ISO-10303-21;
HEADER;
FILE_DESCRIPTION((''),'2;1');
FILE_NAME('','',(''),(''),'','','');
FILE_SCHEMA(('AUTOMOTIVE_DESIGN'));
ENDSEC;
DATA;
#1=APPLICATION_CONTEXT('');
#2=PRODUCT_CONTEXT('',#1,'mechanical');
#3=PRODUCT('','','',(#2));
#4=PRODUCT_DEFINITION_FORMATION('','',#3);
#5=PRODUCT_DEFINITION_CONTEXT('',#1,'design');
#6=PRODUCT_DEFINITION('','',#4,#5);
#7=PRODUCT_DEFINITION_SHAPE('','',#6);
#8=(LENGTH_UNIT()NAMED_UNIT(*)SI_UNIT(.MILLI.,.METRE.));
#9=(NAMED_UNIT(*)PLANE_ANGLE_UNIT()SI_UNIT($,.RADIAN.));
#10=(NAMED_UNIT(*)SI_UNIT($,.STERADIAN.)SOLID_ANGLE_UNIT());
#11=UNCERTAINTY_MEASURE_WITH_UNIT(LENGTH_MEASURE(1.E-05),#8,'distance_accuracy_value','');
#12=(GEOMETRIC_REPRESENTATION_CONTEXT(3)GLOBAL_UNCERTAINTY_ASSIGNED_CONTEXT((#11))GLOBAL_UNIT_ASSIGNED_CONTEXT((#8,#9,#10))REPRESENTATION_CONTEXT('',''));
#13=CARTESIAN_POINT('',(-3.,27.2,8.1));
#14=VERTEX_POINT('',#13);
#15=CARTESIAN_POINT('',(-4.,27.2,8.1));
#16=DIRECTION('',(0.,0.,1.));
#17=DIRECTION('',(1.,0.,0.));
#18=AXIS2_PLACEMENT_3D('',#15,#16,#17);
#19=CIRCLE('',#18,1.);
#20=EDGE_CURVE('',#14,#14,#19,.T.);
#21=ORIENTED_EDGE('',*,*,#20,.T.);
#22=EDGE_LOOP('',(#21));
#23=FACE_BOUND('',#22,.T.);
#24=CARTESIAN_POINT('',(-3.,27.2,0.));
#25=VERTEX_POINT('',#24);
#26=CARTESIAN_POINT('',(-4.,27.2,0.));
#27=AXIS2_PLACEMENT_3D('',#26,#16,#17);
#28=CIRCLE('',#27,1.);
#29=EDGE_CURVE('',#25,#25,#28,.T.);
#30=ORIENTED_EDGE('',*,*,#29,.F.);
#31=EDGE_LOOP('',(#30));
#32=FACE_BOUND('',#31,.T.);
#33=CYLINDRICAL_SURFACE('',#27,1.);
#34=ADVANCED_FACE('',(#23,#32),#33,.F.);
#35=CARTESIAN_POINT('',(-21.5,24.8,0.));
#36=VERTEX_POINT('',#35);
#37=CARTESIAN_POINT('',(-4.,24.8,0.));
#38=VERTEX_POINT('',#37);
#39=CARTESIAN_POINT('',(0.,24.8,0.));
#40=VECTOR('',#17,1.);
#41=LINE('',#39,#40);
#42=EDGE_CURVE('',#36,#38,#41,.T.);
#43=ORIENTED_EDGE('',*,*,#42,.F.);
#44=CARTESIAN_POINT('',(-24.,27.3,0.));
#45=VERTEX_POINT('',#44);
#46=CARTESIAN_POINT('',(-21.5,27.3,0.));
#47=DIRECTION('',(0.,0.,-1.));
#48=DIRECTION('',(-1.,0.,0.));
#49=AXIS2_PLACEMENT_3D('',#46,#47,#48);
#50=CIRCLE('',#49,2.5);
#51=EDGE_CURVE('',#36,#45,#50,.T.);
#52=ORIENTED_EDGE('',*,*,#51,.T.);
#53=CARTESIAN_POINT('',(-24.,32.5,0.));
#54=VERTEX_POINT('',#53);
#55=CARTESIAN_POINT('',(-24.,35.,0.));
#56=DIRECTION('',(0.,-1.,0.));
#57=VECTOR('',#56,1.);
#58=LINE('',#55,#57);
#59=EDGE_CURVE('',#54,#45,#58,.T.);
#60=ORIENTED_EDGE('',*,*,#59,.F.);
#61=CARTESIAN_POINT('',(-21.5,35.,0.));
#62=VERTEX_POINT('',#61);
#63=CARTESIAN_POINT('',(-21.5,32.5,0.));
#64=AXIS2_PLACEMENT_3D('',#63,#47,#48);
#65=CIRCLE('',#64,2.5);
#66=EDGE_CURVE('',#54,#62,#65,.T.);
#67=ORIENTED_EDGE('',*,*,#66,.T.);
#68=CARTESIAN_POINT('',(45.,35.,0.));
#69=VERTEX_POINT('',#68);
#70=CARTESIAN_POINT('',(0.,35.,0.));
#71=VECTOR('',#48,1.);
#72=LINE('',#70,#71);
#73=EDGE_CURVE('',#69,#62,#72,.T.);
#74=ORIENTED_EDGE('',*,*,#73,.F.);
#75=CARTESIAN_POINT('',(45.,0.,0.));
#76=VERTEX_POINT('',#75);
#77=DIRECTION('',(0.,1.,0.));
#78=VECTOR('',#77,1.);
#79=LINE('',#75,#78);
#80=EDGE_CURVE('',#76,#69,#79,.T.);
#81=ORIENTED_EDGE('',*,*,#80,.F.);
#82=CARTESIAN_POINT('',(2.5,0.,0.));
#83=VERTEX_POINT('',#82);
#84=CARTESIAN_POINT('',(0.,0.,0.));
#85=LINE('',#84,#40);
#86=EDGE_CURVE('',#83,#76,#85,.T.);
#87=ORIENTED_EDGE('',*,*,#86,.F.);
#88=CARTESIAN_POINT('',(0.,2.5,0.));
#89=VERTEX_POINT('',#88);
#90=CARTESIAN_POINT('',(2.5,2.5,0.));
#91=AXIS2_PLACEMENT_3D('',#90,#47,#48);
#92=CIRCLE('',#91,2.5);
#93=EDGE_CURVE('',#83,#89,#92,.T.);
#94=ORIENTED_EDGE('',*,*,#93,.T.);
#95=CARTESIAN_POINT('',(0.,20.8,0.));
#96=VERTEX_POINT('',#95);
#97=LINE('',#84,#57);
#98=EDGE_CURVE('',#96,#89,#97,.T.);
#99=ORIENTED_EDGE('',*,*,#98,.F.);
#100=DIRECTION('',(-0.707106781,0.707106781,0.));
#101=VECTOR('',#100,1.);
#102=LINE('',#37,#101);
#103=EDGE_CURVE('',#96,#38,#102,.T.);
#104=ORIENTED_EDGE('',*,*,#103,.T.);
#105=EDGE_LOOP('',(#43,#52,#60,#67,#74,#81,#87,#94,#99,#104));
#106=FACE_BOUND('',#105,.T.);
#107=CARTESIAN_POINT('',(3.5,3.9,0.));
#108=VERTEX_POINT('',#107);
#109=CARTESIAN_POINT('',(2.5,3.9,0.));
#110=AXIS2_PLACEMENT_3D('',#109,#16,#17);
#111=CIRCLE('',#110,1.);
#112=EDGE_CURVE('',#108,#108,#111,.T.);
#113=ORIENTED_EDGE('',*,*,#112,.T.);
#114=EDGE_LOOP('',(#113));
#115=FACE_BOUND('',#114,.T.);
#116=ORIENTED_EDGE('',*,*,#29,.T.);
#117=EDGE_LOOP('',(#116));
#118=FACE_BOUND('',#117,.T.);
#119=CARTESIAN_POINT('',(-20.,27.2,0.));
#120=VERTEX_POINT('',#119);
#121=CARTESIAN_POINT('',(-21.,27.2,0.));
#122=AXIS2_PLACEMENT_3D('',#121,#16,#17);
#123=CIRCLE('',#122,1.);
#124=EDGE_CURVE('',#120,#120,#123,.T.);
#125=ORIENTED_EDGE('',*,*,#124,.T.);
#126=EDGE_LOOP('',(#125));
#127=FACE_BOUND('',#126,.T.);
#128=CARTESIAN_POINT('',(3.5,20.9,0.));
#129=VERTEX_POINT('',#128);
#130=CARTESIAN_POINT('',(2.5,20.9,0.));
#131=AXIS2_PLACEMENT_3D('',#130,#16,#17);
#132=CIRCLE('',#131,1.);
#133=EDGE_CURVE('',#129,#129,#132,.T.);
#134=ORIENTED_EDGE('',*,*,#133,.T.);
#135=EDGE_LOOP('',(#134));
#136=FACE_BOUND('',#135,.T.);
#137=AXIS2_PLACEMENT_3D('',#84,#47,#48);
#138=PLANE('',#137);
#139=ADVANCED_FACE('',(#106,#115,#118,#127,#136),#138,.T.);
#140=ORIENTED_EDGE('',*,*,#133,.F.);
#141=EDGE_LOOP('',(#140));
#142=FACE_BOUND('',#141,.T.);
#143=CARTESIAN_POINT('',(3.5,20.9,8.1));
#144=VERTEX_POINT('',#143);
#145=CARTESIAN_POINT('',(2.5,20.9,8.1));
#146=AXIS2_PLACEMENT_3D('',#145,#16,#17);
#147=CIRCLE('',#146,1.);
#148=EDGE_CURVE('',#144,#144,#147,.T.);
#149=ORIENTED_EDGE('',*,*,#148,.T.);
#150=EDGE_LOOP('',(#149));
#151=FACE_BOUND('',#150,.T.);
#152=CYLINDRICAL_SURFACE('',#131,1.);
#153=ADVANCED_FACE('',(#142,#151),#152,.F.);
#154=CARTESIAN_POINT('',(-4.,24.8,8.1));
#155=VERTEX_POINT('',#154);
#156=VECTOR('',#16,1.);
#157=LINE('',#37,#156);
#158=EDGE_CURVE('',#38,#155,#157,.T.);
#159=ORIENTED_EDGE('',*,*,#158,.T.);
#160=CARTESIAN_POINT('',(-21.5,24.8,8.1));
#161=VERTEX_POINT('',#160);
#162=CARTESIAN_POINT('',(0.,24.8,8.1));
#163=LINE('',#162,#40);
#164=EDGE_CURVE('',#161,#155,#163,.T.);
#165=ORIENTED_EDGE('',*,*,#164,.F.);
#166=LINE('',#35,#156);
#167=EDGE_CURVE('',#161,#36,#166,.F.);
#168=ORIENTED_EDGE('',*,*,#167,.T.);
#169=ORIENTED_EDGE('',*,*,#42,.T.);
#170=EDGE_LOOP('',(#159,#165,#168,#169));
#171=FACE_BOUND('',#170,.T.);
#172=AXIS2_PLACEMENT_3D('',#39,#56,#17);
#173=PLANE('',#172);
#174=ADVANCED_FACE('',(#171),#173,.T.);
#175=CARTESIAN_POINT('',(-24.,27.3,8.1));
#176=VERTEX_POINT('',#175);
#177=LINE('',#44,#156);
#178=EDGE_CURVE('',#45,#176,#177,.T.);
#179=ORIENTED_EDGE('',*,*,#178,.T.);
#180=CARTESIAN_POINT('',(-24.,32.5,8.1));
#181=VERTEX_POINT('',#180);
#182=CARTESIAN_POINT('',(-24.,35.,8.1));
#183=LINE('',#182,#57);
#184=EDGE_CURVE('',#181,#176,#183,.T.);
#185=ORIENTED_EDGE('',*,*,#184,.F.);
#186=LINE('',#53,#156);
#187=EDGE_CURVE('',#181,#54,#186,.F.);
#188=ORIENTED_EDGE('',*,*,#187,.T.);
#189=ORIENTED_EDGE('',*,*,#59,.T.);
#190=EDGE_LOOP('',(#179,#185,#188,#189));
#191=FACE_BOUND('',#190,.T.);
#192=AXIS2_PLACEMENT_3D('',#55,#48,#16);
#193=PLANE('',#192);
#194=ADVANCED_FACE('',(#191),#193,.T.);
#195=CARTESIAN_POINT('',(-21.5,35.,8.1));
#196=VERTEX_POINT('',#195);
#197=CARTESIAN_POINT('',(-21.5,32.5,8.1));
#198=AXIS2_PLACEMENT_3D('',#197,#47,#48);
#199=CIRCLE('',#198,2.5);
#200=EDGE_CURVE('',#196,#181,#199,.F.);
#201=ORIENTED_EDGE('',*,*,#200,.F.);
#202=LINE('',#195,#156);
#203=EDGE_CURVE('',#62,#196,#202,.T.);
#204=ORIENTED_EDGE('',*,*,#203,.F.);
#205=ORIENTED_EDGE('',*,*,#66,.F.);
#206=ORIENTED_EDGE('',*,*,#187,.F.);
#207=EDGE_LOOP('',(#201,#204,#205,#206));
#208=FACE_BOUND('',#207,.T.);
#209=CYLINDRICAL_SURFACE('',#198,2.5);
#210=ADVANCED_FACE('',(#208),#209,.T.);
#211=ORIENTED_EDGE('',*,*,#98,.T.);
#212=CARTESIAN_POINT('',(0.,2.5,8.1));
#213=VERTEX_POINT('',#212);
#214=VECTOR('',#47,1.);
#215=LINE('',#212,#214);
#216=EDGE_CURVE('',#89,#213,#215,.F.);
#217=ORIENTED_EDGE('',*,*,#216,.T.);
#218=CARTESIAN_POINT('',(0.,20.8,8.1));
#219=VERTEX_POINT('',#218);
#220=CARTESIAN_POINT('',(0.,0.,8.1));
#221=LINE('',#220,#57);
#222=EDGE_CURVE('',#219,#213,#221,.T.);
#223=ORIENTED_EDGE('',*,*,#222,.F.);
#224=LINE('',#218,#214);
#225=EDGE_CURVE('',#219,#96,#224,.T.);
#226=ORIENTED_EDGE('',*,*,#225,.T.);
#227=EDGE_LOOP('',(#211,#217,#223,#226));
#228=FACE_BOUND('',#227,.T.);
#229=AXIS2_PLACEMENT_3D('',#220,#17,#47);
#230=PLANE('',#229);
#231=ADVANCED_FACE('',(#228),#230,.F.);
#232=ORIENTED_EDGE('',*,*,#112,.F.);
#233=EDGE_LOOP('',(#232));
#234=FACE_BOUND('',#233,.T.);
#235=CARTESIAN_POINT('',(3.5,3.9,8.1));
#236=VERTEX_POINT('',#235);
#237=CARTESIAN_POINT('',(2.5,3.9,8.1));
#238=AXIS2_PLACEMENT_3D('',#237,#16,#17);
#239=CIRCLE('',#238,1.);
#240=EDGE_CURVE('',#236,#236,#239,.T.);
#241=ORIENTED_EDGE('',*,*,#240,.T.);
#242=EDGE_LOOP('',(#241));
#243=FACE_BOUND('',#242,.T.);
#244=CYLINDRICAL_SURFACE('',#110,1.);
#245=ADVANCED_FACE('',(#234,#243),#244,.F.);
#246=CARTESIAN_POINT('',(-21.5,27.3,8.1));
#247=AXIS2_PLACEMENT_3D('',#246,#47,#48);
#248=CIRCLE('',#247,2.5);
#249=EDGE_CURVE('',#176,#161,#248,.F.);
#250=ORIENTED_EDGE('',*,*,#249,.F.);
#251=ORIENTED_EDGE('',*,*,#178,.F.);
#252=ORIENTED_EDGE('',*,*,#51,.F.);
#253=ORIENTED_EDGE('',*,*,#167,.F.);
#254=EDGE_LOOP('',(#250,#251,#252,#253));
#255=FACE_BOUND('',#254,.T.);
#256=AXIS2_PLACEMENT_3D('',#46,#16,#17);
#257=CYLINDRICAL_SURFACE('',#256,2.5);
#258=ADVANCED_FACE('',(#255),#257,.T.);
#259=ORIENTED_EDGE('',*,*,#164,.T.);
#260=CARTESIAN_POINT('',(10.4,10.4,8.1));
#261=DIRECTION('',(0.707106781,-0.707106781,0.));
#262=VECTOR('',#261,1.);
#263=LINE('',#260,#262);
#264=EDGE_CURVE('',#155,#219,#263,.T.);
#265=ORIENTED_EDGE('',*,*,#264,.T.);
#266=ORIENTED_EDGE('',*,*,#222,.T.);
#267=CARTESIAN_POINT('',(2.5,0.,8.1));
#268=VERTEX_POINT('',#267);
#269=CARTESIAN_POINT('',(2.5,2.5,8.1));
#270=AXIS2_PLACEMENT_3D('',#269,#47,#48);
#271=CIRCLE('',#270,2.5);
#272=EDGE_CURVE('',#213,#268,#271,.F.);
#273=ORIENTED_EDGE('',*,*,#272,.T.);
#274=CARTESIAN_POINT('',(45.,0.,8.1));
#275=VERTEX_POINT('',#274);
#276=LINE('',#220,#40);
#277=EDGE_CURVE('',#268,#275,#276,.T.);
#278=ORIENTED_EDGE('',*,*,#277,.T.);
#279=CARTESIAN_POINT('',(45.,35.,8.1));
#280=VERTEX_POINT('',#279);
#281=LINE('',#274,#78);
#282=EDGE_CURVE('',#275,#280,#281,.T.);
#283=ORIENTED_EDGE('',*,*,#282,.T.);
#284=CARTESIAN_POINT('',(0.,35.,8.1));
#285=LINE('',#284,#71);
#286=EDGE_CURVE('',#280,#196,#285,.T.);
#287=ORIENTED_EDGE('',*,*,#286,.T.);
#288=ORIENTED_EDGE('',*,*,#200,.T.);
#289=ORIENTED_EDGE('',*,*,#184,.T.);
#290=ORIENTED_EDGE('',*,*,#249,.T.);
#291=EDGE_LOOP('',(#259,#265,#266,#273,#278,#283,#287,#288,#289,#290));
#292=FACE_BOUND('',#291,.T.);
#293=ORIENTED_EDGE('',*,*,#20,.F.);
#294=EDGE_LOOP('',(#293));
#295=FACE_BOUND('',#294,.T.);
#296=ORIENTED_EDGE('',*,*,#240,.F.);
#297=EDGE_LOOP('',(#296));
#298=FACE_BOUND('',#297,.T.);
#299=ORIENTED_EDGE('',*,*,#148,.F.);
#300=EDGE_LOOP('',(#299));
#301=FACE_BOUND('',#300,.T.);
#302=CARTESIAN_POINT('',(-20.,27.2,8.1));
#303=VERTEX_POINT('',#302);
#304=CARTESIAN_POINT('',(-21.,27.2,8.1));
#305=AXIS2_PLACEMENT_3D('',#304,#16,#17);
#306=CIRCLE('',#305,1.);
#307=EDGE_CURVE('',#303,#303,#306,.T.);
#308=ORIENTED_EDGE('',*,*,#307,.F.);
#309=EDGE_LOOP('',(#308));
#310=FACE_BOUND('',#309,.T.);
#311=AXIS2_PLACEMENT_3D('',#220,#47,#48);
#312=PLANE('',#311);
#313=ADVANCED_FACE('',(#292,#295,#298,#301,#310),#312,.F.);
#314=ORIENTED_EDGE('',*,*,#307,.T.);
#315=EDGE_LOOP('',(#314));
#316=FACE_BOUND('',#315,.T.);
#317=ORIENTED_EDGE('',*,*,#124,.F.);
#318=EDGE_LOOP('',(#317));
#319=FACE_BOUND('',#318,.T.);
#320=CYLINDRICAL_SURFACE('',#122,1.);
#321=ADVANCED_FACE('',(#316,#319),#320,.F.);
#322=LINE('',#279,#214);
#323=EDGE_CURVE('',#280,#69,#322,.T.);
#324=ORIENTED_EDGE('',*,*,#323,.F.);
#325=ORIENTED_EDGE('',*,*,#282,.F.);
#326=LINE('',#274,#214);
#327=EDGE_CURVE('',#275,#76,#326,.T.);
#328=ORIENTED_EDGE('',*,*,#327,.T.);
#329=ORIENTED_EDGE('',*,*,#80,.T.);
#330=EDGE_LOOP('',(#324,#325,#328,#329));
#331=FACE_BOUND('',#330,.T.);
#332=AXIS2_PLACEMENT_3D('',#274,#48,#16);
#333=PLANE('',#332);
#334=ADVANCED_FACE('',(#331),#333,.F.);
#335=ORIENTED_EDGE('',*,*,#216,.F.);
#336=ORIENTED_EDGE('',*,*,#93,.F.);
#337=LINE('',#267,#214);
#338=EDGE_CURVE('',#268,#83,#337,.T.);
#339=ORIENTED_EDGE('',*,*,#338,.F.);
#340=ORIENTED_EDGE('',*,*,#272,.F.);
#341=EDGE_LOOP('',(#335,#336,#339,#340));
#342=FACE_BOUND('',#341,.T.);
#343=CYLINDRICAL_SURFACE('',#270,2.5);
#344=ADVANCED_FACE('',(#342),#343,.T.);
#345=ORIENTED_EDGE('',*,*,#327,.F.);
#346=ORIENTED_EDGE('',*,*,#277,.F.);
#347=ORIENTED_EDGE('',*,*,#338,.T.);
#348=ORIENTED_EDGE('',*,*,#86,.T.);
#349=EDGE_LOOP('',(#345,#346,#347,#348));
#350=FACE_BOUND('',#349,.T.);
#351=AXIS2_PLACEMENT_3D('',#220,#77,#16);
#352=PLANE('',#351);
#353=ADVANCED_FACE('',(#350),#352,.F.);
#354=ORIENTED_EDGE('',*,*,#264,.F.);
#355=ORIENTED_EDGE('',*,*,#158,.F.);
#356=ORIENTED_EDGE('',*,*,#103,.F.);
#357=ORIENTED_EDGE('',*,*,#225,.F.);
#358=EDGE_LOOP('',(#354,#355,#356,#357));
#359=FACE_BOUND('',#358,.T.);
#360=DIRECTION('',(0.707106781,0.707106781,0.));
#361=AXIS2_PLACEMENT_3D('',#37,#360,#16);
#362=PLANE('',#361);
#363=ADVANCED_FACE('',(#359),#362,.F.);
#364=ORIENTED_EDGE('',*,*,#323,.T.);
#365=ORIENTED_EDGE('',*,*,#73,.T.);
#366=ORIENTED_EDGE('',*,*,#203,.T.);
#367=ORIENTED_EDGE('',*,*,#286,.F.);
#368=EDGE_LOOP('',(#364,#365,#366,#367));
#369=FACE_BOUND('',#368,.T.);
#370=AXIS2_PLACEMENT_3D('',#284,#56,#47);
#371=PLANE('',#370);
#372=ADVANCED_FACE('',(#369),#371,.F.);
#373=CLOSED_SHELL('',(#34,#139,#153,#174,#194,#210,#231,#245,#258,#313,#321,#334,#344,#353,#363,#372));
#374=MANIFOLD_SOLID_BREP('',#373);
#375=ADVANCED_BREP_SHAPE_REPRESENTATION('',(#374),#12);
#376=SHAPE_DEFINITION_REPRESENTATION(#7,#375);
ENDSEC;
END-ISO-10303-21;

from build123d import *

# Parameters (mm, degrees)
ESQUISSE1_W             = 45
ESQUISSE1_H             = 35
BOSS_EXTRU_1_DEPTH      = 8.1
ESQUISSE2_W             = 24
ESQUISSE2_H             = 10.2
BOSS_EXTRU_2_DEPTH      = 8.1
ESQUISSE3_R             = 1
ENL_V_MAT_EXTRU_1_DEPTH = 58.581333781
CHANFREIN1_SIZE         = 4
CONG_1_R                = 2.5


with BuildPart() as part:
    # Esquisse1 → Boss.-Extru.1 (new body)
    with BuildSketch(Plane.XY):
        with Locations((22.5, 17.5)):
            Rectangle(ESQUISSE1_W, ESQUISSE1_H)
    extrude(amount=BOSS_EXTRU_1_DEPTH)

    # Esquisse2 → Boss.-Extru.2 (add)
    with BuildSketch(Plane.XY.offset(8.1)):
        with Locations((-12, 29.9)):
            Rectangle(ESQUISSE2_W, ESQUISSE2_H)
    extrude(amount=-BOSS_EXTRU_2_DEPTH)

    # Esquisse3 → Enlèv. mat.-Extru.1 (cut, through all)
    with BuildSketch(Plane.XY.offset(8.1)):
        with Locations((-4, 27.2)):
            Circle(ESQUISSE3_R)
        with Locations((-21, 27.2)):
            Circle(ESQUISSE3_R)
        with Locations((2.5, 20.9)):
            Circle(ESQUISSE3_R)
        with Locations((2.5, 3.9)):
            Circle(ESQUISSE3_R)
    extrude(amount=-ENL_V_MAT_EXTRU_1_DEPTH, mode=Mode.SUBTRACT)

    # Chanfrein1
    chanfrein1_edges = [part.edges().sort_by_distance(p)[0] for p in [
        (0, 24.8, 4.05),
    ]]
    chamfer(chanfrein1_edges, length=CHANFREIN1_SIZE)

    # Congé1
    cong_1_edges = [part.edges().sort_by_distance(p)[0] for p in [
        (-24, 24.8, 4.05),
        (-24, 35, 4.05),
        (0, 0, 4.05),
    ]]
    fillet(cong_1_edges, radius=CONG_1_R)


solid = part.part
